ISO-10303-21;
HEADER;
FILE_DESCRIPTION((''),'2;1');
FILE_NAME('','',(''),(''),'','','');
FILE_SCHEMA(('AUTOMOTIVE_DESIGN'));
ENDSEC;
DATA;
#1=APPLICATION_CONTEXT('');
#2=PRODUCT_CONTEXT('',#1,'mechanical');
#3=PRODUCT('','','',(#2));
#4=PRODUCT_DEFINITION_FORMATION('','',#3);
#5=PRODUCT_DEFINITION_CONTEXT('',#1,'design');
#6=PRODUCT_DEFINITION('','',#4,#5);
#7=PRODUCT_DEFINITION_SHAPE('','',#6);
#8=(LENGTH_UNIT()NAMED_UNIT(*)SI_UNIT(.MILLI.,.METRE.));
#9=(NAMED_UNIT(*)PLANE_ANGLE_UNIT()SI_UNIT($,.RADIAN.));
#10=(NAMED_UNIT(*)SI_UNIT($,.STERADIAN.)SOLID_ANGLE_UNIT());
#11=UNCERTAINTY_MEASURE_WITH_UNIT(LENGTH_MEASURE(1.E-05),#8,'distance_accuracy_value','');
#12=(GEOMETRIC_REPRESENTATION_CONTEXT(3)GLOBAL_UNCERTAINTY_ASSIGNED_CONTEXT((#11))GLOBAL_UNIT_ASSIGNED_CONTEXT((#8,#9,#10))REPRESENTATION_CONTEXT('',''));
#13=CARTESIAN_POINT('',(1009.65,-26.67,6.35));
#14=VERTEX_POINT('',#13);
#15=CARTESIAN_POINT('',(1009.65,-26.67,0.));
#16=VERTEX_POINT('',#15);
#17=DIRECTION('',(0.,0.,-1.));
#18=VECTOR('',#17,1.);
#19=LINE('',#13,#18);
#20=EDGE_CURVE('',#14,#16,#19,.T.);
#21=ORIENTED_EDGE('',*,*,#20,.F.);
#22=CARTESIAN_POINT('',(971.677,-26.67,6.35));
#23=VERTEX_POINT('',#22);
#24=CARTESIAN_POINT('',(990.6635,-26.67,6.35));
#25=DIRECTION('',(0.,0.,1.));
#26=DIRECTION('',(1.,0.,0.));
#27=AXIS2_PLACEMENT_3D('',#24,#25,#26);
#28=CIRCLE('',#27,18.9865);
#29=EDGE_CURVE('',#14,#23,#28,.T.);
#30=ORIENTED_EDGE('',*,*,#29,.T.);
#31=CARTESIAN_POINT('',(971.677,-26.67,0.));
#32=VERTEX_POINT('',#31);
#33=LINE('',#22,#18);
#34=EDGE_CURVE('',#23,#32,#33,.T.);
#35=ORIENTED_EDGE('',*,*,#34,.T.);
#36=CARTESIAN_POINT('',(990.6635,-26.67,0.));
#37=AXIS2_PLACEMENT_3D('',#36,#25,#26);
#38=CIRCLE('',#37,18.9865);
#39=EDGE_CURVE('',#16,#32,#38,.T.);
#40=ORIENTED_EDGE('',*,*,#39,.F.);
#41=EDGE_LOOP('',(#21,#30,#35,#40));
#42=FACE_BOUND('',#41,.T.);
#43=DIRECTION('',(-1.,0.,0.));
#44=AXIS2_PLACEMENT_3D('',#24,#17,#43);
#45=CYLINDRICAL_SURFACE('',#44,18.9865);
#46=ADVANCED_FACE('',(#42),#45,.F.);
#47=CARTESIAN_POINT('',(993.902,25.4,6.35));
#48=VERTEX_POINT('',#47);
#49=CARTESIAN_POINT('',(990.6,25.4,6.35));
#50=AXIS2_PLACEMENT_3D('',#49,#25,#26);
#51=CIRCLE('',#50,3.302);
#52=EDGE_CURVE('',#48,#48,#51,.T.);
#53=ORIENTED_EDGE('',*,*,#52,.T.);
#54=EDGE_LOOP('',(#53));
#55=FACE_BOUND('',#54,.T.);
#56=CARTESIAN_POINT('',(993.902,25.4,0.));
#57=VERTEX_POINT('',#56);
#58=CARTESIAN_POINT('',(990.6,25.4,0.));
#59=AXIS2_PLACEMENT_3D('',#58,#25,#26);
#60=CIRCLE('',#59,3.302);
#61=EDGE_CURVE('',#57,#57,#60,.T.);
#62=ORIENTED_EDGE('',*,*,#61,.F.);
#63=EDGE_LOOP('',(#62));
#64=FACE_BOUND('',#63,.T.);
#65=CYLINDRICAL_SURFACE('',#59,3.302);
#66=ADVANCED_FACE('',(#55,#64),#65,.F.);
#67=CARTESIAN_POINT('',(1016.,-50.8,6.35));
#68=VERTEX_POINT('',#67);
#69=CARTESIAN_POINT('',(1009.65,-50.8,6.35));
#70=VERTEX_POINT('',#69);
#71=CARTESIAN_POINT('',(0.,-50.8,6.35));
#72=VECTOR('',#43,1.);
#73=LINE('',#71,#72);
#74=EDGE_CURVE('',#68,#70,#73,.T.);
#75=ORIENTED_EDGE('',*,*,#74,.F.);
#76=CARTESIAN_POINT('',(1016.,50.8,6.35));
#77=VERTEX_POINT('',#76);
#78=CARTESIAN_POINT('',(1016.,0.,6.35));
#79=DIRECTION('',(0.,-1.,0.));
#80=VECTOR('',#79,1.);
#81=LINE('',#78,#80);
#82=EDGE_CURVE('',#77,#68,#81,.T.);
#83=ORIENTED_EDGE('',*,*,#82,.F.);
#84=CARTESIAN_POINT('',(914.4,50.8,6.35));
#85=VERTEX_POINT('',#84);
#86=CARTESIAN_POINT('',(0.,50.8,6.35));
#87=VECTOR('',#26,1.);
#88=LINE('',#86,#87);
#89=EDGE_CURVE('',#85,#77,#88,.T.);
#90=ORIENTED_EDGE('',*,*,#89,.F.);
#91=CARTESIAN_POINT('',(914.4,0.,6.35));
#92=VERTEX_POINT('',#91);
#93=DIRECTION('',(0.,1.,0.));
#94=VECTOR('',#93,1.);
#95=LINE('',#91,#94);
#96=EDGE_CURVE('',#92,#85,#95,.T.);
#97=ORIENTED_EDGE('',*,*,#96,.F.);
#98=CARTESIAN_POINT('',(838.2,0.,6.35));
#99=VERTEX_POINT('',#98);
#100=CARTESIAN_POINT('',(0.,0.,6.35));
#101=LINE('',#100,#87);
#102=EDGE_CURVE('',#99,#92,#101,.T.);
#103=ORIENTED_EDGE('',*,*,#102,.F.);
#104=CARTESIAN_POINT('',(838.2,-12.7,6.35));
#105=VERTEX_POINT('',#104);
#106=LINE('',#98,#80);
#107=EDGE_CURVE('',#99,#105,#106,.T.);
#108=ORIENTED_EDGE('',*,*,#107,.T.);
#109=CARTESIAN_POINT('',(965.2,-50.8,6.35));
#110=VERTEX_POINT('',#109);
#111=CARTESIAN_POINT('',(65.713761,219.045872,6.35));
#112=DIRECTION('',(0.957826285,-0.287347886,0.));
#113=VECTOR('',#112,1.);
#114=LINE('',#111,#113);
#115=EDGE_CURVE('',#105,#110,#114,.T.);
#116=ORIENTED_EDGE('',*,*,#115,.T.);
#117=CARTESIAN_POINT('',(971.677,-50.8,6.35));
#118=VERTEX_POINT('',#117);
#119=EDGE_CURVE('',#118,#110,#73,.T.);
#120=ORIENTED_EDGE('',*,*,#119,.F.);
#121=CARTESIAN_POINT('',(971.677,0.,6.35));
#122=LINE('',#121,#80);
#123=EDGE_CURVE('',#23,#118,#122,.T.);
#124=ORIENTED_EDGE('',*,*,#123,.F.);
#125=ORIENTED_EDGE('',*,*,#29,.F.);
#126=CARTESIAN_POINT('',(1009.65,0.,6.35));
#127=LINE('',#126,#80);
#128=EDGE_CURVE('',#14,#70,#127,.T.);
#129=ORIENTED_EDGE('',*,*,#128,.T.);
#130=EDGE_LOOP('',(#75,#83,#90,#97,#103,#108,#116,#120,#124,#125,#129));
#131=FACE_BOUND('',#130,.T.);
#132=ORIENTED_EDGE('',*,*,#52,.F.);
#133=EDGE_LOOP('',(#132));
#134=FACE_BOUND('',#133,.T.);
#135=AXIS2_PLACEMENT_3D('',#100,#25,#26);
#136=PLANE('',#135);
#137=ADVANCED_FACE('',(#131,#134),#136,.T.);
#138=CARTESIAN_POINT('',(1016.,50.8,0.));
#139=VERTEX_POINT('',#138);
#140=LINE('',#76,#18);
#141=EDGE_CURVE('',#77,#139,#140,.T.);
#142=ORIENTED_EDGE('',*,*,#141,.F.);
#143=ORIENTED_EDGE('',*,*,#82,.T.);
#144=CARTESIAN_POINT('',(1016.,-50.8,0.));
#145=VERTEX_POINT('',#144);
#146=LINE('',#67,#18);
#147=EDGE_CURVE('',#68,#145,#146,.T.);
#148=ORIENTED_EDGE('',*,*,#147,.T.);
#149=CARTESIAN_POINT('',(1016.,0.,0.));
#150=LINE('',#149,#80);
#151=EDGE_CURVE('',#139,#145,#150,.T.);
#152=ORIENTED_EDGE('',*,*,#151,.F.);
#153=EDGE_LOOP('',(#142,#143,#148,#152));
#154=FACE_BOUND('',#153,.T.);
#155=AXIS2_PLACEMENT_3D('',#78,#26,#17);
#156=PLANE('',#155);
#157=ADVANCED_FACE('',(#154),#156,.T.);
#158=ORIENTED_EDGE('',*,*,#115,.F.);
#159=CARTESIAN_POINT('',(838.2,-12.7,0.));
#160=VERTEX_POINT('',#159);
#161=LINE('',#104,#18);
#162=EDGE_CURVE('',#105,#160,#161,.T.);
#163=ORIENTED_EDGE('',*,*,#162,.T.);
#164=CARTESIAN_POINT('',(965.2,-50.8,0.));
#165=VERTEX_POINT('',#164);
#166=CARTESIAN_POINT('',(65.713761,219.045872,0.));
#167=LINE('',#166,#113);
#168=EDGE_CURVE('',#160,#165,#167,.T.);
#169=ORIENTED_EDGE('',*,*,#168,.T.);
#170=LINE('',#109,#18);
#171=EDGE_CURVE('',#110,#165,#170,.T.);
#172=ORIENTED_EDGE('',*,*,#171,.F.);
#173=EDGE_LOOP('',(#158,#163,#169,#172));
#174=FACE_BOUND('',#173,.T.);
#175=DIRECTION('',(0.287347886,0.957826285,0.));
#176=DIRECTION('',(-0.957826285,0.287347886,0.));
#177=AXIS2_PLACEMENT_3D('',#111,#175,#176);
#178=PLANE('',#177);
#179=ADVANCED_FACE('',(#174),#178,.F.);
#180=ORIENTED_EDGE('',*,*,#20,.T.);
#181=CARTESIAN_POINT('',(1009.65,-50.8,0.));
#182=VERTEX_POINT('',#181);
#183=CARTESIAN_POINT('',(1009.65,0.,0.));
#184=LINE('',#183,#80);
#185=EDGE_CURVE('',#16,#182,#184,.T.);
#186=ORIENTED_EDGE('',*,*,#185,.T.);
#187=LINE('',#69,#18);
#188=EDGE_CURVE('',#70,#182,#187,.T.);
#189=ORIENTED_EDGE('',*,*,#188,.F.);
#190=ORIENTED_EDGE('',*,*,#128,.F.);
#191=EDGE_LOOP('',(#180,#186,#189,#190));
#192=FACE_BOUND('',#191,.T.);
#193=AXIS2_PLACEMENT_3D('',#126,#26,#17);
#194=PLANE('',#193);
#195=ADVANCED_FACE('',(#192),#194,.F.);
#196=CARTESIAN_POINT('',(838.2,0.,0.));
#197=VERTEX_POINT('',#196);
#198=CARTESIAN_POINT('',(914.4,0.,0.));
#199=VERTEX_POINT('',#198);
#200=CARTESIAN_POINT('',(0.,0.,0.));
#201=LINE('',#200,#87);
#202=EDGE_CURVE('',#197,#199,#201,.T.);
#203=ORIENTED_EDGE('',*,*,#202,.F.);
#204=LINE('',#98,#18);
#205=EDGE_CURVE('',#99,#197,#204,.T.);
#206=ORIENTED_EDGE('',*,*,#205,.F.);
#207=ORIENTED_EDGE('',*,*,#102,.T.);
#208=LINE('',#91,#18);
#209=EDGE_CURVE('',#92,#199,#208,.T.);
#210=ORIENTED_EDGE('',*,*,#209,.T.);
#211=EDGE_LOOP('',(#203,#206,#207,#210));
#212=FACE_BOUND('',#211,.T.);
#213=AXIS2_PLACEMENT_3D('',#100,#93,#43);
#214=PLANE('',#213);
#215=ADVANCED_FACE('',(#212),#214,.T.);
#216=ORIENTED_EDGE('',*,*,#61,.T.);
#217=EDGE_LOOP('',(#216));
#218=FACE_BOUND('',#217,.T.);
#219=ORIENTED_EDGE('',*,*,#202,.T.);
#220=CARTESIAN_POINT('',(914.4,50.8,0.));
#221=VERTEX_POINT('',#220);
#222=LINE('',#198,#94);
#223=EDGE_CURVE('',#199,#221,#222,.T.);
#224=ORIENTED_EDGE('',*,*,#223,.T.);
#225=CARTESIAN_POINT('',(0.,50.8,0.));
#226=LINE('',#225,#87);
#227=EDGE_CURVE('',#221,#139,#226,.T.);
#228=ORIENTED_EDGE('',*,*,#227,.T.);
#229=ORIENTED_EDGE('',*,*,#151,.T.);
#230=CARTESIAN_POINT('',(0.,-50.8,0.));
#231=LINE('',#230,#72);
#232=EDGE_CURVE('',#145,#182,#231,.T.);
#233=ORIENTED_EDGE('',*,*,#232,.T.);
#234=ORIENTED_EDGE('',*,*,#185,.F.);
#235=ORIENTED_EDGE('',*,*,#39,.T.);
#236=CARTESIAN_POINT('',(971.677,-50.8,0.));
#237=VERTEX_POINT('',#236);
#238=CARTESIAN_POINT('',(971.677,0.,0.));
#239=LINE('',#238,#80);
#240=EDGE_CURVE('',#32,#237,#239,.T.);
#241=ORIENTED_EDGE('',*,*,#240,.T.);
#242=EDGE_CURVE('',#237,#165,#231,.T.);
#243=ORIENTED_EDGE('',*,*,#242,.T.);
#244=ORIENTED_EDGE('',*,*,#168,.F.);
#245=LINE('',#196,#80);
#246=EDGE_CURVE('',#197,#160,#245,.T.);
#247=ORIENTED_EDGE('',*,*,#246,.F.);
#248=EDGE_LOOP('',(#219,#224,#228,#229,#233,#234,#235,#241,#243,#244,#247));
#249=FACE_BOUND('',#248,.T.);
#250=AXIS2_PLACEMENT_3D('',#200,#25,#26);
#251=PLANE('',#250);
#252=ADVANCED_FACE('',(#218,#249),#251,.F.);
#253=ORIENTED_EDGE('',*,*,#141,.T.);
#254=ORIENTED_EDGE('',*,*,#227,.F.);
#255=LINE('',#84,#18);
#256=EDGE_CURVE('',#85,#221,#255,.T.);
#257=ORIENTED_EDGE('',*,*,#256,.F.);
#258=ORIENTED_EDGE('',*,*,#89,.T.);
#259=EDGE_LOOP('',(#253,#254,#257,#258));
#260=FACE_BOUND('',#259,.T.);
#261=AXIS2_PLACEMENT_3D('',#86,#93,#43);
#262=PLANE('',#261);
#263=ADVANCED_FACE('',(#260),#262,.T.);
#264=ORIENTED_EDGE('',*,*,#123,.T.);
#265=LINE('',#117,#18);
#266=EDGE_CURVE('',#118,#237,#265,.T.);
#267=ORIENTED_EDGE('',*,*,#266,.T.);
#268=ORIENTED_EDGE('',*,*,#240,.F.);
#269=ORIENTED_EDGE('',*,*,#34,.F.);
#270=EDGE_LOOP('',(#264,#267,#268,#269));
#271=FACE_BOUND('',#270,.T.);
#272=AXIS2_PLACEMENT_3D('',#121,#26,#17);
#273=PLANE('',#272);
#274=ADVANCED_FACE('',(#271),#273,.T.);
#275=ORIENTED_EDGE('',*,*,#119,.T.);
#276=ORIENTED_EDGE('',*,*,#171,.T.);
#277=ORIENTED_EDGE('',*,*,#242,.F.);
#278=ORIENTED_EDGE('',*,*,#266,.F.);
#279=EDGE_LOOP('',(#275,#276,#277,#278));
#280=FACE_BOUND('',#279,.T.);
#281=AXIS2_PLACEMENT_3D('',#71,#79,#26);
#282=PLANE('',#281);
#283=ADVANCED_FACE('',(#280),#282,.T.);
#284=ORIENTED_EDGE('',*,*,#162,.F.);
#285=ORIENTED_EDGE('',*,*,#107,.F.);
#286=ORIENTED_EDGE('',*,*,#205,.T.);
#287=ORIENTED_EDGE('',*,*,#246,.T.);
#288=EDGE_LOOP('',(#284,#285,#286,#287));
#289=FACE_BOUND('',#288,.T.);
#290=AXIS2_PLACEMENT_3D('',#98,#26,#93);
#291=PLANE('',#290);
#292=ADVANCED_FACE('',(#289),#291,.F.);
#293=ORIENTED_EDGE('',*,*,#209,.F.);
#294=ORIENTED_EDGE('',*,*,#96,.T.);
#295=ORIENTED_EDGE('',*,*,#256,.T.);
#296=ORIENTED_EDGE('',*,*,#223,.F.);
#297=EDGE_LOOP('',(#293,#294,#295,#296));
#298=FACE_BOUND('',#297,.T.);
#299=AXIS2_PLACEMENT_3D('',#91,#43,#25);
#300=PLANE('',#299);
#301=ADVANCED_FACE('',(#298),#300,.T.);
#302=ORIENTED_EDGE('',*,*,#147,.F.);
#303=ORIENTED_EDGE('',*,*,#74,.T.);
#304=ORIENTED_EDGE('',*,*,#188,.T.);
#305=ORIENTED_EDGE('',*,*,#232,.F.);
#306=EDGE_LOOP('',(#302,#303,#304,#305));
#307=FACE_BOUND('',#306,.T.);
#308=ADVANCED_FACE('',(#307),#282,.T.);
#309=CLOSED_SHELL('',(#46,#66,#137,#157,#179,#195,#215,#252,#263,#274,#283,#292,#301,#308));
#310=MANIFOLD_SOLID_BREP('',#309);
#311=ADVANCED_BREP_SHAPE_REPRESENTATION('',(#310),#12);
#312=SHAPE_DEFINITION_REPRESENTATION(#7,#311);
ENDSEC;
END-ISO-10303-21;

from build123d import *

# Parameters (mm, degrees)
BOSS_EXTRUDE1_DEPTH = 6.35
SKETCH2_R           = 3.302
CUT_EXTRUDE3_DEPTH  = 6.35


with BuildPart() as part:
    # Sketch1 → Boss-Extrude1 (new body)
    with BuildSketch(Plane.XY):
        with BuildLine():
            Line((914.4, 0), (838.2, 0))
            Line((838.2, 0), (838.2, -12.7))
            Line((838.2, -12.7), (965.2, -50.8))
            Line((965.2, -50.8), (971.677, -50.8))
            Line((971.677, -50.8), (971.677, -26.67))
            ThreePointArc((971.677, -26.67), (990.6635, -7.6835), (1009.65, -26.67))
            Line((1009.65, -26.67), (1009.65, -50.8))
            Line((1009.65, -50.8), (1016, -50.8))
            Line((1016, -50.8), (1016, 50.8))
            Line((1016, 50.8), (965.2, 50.8))
            Line((965.2, 50.8), (914.4, 50.8))
            Line((914.4, 50.8), (914.4, 0))
        make_face()
    extrude(amount=BOSS_EXTRUDE1_DEPTH)

    # Sketch2 → Cut-Extrude3 (cut)
    with BuildSketch(Plane.XY.offset(6.35)):
        with Locations((990.6, 25.4)):
            Circle(SKETCH2_R)
    extrude(amount=-CUT_EXTRUDE3_DEPTH, mode=Mode.SUBTRACT)


solid = part.part
